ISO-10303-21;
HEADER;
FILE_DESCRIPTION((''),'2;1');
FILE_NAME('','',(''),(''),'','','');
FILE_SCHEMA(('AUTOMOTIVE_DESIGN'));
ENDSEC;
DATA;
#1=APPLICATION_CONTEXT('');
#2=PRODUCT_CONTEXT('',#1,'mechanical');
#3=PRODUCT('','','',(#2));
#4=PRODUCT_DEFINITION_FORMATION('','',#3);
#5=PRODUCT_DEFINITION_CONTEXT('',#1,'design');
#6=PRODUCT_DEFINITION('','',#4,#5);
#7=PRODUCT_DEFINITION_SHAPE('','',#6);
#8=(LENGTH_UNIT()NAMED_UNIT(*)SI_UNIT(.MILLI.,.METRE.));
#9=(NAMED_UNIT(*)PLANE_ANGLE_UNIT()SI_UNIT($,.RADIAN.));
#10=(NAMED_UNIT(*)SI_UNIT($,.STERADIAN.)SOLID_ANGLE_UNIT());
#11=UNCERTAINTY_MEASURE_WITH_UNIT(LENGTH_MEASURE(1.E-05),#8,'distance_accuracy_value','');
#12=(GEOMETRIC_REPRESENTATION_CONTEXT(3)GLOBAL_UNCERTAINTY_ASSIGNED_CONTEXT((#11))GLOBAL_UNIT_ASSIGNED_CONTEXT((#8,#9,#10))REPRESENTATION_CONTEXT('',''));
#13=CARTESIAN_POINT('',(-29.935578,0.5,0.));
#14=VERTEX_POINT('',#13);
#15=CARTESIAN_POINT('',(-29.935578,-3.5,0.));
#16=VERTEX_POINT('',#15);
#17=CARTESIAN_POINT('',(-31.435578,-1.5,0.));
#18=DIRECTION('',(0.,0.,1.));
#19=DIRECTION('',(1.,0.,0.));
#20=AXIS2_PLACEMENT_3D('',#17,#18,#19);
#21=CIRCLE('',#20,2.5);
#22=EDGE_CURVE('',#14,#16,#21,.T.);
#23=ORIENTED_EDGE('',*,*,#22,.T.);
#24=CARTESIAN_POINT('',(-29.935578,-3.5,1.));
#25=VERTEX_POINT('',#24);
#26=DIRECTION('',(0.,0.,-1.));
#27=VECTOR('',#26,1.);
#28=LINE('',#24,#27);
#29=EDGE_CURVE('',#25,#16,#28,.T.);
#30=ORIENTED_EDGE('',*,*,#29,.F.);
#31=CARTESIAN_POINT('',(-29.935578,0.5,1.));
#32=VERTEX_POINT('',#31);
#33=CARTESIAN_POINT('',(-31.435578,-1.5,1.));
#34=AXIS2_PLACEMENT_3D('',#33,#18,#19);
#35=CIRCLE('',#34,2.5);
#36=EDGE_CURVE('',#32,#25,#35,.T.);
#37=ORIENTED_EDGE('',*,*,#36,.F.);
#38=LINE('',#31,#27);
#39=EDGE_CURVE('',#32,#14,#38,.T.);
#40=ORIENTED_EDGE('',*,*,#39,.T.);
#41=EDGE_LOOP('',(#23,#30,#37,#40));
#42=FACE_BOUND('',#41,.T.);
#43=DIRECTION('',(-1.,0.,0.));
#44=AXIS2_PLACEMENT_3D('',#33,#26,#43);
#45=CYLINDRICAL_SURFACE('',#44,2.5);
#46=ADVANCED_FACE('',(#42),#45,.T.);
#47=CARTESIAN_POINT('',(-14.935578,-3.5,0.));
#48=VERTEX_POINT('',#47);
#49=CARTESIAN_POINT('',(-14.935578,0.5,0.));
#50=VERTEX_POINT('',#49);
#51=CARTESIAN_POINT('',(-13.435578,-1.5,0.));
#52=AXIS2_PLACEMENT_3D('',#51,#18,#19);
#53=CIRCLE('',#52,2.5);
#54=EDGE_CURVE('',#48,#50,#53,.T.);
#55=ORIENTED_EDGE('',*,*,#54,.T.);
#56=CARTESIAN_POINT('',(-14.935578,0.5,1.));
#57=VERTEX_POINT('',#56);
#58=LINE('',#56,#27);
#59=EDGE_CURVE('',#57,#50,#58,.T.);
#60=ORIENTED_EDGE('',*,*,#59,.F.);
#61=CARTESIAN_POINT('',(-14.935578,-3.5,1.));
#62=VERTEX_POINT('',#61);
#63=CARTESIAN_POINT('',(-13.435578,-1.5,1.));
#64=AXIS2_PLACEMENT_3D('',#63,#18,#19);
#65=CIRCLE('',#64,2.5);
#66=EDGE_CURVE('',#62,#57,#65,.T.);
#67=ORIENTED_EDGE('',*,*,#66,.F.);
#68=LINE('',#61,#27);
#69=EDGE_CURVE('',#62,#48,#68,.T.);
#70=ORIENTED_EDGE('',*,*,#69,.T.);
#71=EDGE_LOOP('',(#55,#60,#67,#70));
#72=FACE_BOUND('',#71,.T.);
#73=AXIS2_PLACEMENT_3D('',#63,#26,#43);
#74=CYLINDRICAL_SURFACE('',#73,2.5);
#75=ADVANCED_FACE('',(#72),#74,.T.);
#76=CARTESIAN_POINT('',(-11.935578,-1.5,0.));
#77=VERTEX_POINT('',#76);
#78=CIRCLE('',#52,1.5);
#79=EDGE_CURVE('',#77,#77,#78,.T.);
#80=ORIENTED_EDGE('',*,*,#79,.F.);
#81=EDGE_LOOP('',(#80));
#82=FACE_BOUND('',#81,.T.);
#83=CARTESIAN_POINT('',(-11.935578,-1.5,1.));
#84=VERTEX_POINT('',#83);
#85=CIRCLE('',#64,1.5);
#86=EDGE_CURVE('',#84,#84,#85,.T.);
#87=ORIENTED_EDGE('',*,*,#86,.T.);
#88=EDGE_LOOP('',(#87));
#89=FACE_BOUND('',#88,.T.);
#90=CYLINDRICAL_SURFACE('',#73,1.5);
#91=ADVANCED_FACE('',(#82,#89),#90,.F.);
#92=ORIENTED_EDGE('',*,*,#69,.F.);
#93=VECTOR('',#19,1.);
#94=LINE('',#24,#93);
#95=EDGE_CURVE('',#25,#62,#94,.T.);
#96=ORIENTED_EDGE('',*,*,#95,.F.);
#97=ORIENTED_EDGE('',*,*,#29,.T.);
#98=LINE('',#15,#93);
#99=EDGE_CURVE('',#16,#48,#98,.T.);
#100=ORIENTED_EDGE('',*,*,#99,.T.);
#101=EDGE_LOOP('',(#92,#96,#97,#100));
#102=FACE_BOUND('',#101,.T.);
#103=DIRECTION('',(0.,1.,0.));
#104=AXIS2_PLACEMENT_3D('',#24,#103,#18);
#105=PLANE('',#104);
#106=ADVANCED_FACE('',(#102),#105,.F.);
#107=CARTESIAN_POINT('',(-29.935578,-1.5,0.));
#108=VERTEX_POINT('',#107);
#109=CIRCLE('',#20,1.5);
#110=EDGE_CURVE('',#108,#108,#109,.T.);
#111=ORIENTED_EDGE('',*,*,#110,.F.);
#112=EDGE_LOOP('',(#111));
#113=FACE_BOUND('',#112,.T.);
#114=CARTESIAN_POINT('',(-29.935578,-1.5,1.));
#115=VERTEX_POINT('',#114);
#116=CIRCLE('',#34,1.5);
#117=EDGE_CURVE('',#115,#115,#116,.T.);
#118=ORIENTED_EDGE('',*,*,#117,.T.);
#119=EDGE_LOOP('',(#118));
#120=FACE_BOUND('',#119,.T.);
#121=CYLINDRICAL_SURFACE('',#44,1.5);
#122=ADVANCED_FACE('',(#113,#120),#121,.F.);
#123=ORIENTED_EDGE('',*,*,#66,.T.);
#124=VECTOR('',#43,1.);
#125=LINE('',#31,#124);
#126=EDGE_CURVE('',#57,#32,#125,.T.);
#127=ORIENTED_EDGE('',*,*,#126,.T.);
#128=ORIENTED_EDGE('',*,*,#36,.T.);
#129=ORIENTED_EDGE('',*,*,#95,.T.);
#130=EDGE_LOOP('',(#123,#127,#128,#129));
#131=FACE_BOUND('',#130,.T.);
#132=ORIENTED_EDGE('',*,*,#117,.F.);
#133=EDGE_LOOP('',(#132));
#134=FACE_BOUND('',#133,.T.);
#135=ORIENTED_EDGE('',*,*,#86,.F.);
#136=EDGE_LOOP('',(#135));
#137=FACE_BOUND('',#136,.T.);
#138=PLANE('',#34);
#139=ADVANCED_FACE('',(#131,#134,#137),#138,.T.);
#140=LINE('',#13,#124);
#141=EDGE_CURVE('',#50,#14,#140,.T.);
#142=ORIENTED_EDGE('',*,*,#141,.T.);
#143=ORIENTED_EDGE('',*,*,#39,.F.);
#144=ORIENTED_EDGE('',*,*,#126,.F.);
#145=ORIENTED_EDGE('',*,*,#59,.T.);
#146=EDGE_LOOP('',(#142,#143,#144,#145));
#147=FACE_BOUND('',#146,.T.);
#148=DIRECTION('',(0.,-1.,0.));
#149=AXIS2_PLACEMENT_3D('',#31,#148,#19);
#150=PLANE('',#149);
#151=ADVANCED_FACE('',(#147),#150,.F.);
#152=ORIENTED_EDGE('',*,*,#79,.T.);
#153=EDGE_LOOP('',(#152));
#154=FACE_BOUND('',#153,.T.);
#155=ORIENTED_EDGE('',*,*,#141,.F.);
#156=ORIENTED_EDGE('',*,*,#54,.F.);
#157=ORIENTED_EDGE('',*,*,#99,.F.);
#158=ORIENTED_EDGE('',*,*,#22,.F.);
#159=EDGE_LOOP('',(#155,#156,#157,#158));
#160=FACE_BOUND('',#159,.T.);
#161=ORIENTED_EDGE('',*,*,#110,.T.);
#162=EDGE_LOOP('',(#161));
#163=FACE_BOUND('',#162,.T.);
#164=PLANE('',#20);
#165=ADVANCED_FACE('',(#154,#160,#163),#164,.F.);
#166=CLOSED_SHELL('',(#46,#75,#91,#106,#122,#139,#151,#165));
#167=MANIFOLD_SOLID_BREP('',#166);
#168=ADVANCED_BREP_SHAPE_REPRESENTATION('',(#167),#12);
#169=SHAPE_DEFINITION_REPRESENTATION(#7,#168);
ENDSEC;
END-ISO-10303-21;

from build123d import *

# Parameters (mm, degrees)
SKETCH_1_R      = 1.5
EXTRUDE_1_DEPTH = 1


with BuildPart() as part:
    # 草图1 → 凸台-拉伸1 (new body)
    with BuildSketch(Plane.XY):
        with BuildLine():
            Line((-29.935577952, 0.5), (-14.935577952, 0.5))
            ThreePointArc((-14.935577952, 0.5), (-10.935577952, -1.5), (-14.935577952, -3.5))
            Line((-14.935577952, -3.5), (-29.935577952, -3.5))
            ThreePointArc((-29.935577952, -3.5), (-33.935577952, -1.5), (-29.935577952, 0.5))
        make_face()
        with Locations((-31.435577952, -1.5)):
            Circle(SKETCH_1_R, mode=Mode.SUBTRACT)
        with Locations((-13.435577952, -1.5)):
            Circle(SKETCH_1_R, mode=Mode.SUBTRACT)
    extrude(amount=EXTRUDE_1_DEPTH)


solid = part.part
